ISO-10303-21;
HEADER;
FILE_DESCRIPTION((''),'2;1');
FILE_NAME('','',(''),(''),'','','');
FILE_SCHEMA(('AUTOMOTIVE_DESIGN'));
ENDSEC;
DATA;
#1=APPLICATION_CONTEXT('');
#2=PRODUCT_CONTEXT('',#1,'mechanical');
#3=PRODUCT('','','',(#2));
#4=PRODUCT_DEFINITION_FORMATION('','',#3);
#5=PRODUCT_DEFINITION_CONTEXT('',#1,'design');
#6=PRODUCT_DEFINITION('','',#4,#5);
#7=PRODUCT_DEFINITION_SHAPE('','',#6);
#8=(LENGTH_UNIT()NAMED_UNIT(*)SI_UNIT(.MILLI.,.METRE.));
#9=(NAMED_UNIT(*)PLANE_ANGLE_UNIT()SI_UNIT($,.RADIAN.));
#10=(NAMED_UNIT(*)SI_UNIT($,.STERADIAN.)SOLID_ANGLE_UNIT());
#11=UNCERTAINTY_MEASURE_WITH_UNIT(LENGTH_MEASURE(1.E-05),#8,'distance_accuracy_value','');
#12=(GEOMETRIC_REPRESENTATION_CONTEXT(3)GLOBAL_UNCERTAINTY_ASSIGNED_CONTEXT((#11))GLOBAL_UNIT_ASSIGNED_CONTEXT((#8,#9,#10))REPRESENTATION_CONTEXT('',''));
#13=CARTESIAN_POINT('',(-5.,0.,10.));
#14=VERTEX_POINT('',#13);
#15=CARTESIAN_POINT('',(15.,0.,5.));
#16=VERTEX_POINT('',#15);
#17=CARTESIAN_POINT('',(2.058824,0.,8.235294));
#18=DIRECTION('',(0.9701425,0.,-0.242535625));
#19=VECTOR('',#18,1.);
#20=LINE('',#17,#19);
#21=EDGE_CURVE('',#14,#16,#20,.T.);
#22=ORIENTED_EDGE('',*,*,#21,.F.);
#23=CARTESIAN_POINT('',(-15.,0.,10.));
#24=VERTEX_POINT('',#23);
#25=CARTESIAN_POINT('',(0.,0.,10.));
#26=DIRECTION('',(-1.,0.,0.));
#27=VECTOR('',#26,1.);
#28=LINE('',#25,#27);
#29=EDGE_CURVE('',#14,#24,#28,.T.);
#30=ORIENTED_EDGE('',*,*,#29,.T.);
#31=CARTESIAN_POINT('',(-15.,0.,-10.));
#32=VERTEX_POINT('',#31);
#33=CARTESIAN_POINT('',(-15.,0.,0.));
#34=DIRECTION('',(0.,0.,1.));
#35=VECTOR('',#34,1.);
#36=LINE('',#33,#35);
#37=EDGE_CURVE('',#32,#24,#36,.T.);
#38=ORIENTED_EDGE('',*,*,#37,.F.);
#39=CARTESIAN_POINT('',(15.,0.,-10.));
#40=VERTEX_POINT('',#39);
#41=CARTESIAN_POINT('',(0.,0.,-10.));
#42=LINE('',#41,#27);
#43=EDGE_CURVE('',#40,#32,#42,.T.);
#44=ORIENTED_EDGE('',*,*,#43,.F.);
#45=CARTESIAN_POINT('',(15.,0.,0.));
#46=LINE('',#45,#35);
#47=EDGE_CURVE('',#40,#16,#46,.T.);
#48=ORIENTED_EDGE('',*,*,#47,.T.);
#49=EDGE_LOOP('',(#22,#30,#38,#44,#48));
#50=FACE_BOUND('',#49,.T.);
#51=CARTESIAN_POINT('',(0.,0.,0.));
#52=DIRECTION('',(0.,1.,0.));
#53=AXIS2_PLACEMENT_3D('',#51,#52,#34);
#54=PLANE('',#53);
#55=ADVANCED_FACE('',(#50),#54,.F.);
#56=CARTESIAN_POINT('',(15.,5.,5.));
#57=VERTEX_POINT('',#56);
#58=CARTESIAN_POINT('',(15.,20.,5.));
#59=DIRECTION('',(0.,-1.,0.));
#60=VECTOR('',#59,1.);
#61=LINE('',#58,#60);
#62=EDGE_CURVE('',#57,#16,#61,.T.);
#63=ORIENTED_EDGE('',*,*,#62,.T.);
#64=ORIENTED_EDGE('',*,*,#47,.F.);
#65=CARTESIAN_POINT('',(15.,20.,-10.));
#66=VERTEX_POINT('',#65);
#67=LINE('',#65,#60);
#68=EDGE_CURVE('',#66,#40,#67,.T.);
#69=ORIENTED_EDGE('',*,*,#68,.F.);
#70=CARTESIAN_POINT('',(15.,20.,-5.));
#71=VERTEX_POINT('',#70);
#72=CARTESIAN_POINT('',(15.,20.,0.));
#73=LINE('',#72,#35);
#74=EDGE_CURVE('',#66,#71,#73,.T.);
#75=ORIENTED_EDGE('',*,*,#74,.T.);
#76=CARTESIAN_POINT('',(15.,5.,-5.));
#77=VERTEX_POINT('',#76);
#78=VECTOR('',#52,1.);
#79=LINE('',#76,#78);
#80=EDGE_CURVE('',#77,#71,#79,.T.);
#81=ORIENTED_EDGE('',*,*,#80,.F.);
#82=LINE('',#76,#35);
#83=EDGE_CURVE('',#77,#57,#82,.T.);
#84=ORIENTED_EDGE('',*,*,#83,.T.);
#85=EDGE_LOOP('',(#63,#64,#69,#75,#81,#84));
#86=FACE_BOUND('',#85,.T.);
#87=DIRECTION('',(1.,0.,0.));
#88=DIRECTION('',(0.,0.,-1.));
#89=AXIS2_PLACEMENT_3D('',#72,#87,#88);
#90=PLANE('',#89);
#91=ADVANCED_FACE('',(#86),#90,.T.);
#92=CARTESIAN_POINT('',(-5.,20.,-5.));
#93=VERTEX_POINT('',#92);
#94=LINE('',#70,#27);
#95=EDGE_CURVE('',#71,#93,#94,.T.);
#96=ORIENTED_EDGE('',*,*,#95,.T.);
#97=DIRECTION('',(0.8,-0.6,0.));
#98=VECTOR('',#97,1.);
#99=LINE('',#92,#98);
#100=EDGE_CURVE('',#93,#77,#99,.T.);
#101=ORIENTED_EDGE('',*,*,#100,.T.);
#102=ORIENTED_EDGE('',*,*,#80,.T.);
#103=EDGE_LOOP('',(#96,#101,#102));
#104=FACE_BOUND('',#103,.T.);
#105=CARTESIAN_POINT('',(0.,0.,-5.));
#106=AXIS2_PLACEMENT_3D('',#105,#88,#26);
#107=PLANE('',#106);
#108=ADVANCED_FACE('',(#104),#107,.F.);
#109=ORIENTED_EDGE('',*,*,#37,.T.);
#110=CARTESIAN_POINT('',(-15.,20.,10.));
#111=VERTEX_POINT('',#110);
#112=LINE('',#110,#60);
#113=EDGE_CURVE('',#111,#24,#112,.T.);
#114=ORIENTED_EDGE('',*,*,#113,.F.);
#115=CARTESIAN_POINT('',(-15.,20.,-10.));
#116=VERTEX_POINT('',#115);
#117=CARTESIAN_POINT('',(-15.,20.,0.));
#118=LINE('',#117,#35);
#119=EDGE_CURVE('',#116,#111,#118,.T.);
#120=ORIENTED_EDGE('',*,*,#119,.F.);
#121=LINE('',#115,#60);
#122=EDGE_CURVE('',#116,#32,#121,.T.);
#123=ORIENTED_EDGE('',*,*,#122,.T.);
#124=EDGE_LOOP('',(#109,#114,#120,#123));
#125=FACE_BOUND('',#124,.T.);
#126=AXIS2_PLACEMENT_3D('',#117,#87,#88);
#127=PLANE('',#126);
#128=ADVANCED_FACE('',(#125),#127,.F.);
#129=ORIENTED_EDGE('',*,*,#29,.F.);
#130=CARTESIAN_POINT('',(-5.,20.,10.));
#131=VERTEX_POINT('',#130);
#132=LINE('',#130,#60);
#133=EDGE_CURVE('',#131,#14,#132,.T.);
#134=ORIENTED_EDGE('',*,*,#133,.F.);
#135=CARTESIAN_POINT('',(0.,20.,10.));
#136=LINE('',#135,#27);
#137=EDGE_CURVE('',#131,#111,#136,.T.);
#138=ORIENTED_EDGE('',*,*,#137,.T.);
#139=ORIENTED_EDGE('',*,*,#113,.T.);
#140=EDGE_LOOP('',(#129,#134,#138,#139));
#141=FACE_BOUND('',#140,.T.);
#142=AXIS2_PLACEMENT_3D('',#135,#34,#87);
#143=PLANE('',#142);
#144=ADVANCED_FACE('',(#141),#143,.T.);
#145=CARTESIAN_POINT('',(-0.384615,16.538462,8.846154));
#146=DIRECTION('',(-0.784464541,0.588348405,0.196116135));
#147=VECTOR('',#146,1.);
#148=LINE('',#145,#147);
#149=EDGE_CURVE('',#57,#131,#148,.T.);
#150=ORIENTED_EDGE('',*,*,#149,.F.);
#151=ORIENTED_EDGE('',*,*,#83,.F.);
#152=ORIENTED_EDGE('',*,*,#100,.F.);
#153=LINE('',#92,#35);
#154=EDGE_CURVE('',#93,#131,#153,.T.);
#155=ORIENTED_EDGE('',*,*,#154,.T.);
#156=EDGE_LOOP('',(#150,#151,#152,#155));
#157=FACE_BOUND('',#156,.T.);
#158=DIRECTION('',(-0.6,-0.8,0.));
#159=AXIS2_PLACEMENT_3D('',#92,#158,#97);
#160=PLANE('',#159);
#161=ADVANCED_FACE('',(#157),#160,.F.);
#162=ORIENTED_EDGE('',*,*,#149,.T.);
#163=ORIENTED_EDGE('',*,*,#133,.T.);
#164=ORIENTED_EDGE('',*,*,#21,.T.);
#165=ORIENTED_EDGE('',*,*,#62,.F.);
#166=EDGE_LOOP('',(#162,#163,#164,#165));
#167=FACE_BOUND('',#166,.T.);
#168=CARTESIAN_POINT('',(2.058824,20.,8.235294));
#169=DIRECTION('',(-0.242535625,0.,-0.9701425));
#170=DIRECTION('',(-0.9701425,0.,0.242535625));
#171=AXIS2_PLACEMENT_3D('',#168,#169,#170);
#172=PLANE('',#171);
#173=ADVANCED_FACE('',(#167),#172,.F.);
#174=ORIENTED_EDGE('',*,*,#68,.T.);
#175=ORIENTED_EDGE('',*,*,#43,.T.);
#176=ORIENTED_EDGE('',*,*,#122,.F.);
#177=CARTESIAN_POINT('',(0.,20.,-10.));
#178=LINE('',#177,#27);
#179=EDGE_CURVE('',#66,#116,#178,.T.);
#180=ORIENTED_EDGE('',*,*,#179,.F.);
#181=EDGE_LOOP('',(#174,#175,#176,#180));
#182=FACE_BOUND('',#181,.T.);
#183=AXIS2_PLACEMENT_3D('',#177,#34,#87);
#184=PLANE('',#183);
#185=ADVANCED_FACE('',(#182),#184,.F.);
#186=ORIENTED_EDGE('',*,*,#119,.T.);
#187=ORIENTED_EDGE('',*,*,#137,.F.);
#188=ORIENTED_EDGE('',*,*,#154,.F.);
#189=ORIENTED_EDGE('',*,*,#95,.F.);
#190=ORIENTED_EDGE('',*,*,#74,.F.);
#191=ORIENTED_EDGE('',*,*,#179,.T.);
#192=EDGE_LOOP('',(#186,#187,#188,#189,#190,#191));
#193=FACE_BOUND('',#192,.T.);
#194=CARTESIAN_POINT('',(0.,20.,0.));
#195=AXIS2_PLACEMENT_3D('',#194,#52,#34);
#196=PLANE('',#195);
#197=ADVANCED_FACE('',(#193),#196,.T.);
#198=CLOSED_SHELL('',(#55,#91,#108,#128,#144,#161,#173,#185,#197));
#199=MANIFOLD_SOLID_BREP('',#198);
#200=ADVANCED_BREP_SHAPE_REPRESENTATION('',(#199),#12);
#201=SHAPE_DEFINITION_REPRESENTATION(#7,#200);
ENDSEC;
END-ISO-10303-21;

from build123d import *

# Parameters (mm, degrees)
EXTRUDE_1_DEPTH     = 20
EXTRUDE_2_DEPTH     = 20
CUT_EXTRUDE_1_DEPTH = 15


with BuildPart() as part:
    # 草圖1 → 填料-伸長1 (new body)
    with BuildSketch(Plane(origin=(0, 0, 0), x_dir=(1, 0, 0), z_dir=(0, 1, 0))):
        Polygon((-5, 5), (-5, -10), (15, -5), (15, 5), align=None)
    extrude(amount=EXTRUDE_1_DEPTH)

    # 草圖1<3> → 填料-伸長2 (add)
    with BuildSketch(Plane(origin=(0, 0, 0), x_dir=(1, 0, 0), z_dir=(0, 1, 0))):
        Polygon((-15, -10), (-5, -10), (-5, 5), (15, 5), (15, 10), (-15, 10), align=None)
    extrude(amount=EXTRUDE_2_DEPTH)

    # 草圖2 → 除料-伸長1 (cut)
    with BuildSketch(Plane.XY.offset(10)):
        Polygon((-5, 20), (15, 5), (15, 20), align=None)
    extrude(amount=-CUT_EXTRUDE_1_DEPTH, mode=Mode.SUBTRACT)


solid = part.part
